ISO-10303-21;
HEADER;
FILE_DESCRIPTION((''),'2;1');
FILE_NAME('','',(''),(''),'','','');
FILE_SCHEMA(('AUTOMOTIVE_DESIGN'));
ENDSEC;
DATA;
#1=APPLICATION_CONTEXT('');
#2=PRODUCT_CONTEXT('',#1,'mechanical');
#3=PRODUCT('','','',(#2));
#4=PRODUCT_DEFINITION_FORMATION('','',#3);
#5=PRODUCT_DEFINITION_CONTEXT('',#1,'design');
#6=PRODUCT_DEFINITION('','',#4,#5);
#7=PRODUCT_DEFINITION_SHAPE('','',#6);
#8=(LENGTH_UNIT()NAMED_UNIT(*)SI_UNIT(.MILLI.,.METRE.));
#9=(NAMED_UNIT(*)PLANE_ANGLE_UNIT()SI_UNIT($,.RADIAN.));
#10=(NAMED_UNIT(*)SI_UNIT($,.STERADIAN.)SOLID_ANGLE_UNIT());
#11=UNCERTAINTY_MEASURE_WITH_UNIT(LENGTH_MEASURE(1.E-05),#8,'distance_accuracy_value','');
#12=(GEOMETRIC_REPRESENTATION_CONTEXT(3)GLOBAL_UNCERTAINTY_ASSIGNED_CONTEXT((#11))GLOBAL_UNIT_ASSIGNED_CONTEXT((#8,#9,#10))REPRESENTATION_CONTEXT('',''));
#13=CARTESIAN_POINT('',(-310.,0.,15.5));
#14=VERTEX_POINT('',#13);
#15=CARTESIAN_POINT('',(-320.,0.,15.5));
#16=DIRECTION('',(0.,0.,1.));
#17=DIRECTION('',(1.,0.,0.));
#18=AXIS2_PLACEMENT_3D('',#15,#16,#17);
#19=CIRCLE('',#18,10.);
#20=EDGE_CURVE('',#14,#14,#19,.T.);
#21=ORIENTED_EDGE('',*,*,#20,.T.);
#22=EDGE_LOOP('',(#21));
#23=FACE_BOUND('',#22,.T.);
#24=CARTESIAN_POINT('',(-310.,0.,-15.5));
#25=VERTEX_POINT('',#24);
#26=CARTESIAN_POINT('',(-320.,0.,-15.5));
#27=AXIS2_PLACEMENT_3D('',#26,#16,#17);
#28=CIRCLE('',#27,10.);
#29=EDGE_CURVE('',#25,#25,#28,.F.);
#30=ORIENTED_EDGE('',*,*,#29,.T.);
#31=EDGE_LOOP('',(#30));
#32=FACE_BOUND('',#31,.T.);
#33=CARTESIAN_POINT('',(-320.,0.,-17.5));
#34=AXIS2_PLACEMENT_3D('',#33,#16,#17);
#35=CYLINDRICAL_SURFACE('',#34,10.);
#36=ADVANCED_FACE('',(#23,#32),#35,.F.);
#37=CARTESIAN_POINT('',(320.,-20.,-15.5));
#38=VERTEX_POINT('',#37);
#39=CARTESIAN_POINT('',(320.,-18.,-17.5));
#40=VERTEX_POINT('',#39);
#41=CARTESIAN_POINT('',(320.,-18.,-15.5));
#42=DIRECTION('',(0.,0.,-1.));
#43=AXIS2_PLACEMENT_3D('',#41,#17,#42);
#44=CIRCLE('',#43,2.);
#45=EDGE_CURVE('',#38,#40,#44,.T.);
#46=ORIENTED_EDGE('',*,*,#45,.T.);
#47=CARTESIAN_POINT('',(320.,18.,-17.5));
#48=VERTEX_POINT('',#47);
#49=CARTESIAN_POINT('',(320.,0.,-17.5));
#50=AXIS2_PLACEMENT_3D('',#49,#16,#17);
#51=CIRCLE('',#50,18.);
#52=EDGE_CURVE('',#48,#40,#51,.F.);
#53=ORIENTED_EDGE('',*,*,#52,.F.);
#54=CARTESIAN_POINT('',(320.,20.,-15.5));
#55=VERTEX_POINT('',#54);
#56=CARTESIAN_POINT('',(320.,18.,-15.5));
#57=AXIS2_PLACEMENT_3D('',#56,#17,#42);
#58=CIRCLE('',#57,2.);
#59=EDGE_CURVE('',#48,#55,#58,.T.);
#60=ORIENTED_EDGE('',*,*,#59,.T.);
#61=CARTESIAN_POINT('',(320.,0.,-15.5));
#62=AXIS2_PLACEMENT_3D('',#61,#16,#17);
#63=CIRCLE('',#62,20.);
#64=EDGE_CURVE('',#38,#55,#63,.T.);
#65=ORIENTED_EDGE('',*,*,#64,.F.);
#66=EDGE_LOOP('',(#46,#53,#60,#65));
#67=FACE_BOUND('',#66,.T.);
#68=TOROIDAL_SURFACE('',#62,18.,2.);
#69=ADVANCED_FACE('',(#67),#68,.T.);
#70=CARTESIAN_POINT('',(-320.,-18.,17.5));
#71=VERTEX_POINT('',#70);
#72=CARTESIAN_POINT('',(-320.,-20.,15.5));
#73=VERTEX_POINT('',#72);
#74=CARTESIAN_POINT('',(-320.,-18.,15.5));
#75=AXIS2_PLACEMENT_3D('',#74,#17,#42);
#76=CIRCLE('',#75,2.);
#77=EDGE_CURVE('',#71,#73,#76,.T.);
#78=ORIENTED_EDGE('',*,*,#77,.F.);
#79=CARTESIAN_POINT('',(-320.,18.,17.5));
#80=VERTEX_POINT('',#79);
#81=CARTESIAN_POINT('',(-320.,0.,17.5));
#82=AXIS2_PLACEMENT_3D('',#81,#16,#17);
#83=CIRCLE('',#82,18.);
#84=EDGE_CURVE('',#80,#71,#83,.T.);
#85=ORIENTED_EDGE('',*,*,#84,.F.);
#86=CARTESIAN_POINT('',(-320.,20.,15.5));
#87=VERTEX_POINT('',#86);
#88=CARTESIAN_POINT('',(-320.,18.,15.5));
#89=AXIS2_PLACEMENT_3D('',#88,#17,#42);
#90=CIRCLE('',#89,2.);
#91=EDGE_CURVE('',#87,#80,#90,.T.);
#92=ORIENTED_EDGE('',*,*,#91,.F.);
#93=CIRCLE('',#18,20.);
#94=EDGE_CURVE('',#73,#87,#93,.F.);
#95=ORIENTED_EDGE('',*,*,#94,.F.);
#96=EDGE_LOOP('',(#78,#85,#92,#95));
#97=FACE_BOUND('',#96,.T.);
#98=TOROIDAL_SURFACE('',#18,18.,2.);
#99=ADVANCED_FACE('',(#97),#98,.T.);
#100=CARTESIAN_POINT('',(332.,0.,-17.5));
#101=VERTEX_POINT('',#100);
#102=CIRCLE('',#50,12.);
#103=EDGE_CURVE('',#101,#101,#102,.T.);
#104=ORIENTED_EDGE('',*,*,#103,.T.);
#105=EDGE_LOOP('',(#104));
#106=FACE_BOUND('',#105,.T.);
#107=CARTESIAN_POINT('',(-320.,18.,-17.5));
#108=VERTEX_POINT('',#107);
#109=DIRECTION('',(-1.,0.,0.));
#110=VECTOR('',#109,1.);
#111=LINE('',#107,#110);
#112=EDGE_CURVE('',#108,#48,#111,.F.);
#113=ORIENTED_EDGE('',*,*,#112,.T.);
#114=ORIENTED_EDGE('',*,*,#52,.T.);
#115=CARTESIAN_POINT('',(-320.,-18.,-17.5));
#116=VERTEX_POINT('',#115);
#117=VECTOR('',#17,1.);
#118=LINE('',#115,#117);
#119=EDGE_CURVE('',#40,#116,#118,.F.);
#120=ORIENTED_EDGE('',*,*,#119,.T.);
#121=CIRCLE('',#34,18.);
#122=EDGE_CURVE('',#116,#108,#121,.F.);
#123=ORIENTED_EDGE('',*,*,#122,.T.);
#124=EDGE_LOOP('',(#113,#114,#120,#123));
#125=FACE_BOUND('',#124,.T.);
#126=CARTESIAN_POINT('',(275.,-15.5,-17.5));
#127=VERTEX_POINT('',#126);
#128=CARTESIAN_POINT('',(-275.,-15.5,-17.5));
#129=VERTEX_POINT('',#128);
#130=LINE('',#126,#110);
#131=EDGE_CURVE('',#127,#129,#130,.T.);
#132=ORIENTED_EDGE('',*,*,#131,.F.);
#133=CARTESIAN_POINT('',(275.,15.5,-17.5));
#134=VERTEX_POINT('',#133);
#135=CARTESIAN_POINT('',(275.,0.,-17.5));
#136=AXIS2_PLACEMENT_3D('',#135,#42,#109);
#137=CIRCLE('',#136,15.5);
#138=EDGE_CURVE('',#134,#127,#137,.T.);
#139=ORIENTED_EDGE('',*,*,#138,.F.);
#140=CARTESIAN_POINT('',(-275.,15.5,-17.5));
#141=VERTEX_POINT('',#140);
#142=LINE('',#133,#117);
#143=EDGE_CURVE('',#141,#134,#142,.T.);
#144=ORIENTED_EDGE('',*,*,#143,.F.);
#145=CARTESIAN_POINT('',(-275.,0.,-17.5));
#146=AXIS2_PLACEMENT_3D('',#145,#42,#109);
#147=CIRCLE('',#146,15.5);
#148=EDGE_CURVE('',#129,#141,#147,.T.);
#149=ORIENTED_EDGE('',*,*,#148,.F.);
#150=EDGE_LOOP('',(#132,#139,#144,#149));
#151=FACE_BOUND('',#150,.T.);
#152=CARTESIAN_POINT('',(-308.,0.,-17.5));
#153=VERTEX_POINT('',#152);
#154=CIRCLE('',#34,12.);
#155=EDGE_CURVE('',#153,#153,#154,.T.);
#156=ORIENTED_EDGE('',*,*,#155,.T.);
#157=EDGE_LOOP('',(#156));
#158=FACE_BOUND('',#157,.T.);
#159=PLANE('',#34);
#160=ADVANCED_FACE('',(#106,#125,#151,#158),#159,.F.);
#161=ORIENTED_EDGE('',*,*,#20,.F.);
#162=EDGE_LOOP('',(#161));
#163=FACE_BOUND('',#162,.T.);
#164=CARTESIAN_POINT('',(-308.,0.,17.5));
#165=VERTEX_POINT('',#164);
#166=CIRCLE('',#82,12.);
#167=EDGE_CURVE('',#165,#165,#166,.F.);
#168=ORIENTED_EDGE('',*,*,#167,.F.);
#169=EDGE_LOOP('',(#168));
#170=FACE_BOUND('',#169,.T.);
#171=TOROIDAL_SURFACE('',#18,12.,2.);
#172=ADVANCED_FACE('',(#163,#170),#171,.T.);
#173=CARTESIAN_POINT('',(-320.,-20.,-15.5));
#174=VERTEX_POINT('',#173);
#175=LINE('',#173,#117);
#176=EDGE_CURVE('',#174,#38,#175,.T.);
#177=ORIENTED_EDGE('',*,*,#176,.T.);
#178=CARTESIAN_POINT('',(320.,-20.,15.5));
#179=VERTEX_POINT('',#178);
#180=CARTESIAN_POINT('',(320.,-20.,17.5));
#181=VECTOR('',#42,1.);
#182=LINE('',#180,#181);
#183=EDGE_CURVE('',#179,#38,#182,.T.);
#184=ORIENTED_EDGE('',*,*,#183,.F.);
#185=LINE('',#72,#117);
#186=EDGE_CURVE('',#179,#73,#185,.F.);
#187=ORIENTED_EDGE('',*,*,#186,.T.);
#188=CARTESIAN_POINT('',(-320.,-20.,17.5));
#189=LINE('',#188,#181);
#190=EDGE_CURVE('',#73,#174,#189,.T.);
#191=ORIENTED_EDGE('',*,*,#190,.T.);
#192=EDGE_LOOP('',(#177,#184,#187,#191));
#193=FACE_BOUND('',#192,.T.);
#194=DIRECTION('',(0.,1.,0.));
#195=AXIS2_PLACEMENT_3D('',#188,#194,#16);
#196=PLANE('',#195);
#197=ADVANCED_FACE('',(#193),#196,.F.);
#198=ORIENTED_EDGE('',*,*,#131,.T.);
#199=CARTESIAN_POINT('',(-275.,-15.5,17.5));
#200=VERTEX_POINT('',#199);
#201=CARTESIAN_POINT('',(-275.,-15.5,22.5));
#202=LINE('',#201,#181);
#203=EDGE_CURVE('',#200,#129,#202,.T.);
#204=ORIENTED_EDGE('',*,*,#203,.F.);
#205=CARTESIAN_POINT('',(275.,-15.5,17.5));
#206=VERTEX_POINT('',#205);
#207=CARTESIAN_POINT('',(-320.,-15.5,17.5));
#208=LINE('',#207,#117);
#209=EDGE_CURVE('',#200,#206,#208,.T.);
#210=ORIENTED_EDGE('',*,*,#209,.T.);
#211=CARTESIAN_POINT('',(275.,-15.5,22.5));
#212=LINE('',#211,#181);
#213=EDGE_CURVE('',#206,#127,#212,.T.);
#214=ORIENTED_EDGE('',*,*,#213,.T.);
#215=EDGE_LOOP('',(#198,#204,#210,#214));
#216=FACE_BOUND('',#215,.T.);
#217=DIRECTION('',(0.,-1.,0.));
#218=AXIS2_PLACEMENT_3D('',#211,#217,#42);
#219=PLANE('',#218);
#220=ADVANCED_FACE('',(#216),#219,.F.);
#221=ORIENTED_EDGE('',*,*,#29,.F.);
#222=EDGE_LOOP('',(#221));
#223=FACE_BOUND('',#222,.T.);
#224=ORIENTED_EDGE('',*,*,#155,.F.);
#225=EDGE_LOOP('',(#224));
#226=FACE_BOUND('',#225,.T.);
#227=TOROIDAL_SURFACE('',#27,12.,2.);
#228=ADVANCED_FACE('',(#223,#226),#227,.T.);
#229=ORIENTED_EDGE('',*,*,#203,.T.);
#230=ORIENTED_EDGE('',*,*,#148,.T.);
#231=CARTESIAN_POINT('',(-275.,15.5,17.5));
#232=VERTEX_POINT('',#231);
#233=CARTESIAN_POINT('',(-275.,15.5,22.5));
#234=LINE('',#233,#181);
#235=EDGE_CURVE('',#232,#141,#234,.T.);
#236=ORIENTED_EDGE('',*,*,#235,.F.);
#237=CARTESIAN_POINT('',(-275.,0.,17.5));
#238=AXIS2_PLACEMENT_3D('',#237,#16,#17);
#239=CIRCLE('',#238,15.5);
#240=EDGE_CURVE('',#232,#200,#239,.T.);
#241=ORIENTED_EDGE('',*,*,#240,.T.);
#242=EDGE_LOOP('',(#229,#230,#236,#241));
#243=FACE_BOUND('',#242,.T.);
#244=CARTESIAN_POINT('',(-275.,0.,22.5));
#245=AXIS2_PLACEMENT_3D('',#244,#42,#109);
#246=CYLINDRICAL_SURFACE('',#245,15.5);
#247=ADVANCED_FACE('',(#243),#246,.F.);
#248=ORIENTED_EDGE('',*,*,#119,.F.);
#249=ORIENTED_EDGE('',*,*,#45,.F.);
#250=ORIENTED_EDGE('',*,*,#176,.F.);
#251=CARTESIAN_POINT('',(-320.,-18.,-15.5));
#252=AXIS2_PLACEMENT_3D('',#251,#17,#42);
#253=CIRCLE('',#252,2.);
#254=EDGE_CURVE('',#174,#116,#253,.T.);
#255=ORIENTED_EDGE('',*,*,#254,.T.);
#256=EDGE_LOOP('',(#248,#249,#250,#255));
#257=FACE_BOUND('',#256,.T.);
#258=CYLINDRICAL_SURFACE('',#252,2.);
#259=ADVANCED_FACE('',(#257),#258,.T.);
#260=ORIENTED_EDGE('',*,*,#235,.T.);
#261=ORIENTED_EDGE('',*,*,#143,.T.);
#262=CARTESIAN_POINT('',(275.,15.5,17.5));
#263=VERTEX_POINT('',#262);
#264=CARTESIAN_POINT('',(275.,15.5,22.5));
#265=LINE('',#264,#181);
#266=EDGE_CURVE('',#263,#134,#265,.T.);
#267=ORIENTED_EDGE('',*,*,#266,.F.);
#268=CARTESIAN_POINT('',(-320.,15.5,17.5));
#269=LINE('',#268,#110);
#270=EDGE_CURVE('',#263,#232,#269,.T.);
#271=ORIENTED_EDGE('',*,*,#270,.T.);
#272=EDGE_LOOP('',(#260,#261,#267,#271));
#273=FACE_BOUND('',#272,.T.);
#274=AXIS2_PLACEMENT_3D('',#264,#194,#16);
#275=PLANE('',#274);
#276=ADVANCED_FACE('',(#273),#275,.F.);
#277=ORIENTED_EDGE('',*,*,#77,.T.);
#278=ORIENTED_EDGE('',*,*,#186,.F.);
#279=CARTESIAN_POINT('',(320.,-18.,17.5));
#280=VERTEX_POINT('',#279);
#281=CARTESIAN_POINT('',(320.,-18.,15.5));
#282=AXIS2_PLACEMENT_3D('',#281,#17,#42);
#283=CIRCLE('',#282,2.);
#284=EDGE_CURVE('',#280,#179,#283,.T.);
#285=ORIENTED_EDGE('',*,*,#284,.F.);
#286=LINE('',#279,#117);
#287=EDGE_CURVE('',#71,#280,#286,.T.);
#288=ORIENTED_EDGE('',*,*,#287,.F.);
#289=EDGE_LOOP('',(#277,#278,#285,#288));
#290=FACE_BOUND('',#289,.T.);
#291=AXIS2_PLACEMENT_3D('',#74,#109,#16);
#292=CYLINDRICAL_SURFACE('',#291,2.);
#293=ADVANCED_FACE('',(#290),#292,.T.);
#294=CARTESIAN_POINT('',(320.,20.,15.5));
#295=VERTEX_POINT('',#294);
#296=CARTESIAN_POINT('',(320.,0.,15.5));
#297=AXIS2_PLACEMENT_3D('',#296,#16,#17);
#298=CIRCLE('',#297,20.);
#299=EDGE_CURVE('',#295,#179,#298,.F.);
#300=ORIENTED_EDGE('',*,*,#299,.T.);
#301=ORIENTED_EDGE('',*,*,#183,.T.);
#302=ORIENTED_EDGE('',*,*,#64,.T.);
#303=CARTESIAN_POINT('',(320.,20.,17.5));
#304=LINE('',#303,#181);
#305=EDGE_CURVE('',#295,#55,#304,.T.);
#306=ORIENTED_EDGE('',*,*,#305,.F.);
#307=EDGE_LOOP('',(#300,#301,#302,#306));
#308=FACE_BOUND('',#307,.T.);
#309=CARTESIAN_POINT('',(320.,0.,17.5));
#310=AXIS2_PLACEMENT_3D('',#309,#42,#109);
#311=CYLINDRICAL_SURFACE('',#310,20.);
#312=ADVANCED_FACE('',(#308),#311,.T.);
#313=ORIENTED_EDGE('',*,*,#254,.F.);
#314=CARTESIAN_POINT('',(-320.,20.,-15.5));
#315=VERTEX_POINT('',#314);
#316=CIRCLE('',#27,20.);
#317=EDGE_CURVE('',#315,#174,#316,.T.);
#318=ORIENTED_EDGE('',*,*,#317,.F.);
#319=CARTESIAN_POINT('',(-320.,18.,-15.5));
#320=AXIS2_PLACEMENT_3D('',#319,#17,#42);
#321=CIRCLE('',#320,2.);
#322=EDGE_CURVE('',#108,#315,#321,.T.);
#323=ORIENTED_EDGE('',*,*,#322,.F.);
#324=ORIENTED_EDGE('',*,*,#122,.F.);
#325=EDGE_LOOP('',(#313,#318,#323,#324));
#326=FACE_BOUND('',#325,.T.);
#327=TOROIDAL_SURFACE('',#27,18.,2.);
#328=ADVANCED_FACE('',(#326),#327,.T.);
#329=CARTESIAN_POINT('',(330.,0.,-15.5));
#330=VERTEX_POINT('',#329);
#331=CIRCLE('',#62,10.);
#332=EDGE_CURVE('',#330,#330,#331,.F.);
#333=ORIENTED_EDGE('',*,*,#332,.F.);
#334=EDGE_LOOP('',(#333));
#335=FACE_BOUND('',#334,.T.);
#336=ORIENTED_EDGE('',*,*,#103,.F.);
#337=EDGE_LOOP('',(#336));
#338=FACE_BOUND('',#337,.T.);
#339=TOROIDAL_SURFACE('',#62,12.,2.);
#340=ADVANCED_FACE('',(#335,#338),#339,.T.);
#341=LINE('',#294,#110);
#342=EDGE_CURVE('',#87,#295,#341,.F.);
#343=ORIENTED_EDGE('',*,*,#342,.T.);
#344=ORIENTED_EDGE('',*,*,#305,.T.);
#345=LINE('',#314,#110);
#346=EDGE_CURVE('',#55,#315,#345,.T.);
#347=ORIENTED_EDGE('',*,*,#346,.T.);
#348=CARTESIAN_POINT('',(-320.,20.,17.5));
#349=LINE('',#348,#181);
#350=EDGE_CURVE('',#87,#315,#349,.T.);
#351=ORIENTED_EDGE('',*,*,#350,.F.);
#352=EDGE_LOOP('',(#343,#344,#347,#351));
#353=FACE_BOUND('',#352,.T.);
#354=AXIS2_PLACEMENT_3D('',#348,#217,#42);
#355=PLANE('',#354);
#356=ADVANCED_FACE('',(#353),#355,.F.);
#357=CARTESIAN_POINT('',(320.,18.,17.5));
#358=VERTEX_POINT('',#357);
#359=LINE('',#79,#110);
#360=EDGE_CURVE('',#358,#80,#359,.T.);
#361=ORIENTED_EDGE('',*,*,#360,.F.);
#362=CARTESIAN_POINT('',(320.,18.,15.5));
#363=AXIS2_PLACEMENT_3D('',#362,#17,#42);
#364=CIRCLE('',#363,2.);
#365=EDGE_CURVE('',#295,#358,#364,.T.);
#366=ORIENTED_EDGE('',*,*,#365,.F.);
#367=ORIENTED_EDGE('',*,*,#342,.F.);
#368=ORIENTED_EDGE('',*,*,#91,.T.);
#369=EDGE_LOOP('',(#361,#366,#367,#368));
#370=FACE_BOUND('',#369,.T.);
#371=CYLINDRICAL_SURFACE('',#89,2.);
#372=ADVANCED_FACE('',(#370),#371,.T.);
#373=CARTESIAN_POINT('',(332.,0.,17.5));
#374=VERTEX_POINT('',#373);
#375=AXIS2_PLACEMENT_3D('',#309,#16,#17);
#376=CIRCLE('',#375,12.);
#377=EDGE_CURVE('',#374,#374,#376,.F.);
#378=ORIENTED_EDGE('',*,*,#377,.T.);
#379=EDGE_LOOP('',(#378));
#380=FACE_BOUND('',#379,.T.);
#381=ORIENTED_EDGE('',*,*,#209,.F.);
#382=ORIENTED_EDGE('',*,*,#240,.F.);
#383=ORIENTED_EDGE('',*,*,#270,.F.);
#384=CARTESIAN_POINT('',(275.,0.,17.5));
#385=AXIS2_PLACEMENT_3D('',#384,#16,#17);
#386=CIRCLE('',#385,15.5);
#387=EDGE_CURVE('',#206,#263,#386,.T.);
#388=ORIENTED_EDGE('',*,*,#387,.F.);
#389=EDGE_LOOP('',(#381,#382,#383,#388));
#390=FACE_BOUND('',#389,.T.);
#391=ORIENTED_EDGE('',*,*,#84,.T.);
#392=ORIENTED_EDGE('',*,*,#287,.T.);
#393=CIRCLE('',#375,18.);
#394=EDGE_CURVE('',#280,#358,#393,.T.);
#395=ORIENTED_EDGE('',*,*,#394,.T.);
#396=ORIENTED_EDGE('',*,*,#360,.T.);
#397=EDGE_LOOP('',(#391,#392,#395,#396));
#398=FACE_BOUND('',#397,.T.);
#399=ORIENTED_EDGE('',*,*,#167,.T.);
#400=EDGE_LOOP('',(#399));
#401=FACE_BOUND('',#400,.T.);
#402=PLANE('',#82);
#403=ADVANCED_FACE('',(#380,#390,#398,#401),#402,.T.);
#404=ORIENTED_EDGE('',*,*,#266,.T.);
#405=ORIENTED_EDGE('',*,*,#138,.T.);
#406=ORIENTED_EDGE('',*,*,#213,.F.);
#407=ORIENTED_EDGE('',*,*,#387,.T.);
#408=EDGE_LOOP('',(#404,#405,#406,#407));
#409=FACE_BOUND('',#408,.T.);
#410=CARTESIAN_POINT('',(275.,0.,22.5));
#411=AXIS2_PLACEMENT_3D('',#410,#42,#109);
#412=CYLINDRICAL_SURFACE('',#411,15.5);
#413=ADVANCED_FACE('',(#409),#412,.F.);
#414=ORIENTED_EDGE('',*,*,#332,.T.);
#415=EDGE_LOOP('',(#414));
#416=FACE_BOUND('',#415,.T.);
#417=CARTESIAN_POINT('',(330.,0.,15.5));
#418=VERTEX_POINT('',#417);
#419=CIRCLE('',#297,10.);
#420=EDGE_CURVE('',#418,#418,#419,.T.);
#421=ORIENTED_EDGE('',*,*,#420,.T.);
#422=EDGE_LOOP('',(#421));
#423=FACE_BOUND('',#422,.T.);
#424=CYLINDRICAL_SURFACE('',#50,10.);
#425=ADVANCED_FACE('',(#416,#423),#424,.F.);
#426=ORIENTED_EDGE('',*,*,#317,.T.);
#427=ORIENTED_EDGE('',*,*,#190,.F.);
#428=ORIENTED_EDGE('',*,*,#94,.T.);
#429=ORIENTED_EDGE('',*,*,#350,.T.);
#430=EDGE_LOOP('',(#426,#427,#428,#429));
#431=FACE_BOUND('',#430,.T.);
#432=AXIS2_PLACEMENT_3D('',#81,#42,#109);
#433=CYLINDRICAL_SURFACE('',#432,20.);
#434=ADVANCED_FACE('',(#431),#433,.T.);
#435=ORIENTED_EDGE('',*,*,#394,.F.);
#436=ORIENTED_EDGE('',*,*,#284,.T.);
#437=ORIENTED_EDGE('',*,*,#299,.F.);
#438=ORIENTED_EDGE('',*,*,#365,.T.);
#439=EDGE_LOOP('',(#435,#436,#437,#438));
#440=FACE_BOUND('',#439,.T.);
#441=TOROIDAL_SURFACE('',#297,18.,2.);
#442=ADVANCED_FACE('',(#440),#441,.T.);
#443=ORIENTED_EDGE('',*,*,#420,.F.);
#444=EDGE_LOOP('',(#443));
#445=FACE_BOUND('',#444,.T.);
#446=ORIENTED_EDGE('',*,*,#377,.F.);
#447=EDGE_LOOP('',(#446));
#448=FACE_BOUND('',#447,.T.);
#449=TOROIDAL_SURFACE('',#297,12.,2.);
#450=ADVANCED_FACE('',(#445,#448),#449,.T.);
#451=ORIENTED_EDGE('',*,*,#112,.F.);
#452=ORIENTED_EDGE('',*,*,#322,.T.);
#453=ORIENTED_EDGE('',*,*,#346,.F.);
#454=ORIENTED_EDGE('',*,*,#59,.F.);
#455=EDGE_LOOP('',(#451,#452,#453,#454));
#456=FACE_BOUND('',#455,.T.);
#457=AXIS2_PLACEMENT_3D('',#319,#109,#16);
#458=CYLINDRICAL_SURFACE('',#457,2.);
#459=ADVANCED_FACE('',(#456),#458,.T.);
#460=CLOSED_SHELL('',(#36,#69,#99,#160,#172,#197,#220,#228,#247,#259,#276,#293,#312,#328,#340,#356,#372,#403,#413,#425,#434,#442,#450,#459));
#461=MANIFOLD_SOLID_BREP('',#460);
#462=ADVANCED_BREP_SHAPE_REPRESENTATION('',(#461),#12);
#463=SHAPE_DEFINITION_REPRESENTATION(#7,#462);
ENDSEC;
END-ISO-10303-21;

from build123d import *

# Parameters (mm, degrees)
BOSS_EXTRUDE2_DEPTH = 17.5
SKETCH5_R           = 10
CUT_EXTRUDE1_DEPTH  = 36
CUT_EXTRUDE2_DEPTH  = 40
FILLET1_R           = 2


with BuildPart() as part:
    # Sketch4 → Boss-Extrude2 (new body, symmetric)
    with BuildSketch(Plane.XY):
        with BuildLine():
            Line((-320, 20), (320, 20))
            ThreePointArc((320, 20), (340, 0), (320, -20))
            Line((320, -20), (-320, -20))
            ThreePointArc((-320, -20), (-340, 0), (-320, 20))
        make_face()
    extrude(amount=BOSS_EXTRUDE2_DEPTH, both=True)

    # Sketch5 → Cut-Extrude1 (cut, through all)
    with BuildSketch(Plane.XY.offset(17.5)):
        with Locations((320, 0)):
            Circle(SKETCH5_R)
        with Locations((-320, 0)):
            Circle(SKETCH5_R)
    extrude(amount=-CUT_EXTRUDE1_DEPTH, mode=Mode.SUBTRACT)

    # Sketch6 → Cut-Extrude2 (cut)
    with BuildSketch(Plane(origin=(0, 0, -17.5), x_dir=(-1, 0, 0), z_dir=(0, 0, -1))):
        with BuildLine():
            Line((-275, 15.5), (275, 15.5))
            ThreePointArc((275, 15.5), (290.5, 0), (275, -15.5))
            Line((275, -15.5), (-275, -15.5))
            ThreePointArc((-275, -15.5), (-290.5, 0), (-275, 15.5))
        make_face()
    extrude(amount=-CUT_EXTRUDE2_DEPTH, mode=Mode.SUBTRACT)

    # Fillet1
    fillet1_edges = [part.edges().sort_by_distance(p)[0] for p in [
        (340, 0, 17.5),
        (310, 0, -17.5),
        (310, 0, 17.5),
        (0, 20, 17.5),
        (-330, 0, -17.5),
        (-330, 0, 17.5),
        (-340, 0, 17.5),
        (0, 20, -17.5),
        (340, 0, -17.5),
        (0, -20, -17.5),
        (-340, 0, -17.5),
        (0, -20, 17.5),
    ]]
    fillet(fillet1_edges, radius=FILLET1_R)


solid = part.part
